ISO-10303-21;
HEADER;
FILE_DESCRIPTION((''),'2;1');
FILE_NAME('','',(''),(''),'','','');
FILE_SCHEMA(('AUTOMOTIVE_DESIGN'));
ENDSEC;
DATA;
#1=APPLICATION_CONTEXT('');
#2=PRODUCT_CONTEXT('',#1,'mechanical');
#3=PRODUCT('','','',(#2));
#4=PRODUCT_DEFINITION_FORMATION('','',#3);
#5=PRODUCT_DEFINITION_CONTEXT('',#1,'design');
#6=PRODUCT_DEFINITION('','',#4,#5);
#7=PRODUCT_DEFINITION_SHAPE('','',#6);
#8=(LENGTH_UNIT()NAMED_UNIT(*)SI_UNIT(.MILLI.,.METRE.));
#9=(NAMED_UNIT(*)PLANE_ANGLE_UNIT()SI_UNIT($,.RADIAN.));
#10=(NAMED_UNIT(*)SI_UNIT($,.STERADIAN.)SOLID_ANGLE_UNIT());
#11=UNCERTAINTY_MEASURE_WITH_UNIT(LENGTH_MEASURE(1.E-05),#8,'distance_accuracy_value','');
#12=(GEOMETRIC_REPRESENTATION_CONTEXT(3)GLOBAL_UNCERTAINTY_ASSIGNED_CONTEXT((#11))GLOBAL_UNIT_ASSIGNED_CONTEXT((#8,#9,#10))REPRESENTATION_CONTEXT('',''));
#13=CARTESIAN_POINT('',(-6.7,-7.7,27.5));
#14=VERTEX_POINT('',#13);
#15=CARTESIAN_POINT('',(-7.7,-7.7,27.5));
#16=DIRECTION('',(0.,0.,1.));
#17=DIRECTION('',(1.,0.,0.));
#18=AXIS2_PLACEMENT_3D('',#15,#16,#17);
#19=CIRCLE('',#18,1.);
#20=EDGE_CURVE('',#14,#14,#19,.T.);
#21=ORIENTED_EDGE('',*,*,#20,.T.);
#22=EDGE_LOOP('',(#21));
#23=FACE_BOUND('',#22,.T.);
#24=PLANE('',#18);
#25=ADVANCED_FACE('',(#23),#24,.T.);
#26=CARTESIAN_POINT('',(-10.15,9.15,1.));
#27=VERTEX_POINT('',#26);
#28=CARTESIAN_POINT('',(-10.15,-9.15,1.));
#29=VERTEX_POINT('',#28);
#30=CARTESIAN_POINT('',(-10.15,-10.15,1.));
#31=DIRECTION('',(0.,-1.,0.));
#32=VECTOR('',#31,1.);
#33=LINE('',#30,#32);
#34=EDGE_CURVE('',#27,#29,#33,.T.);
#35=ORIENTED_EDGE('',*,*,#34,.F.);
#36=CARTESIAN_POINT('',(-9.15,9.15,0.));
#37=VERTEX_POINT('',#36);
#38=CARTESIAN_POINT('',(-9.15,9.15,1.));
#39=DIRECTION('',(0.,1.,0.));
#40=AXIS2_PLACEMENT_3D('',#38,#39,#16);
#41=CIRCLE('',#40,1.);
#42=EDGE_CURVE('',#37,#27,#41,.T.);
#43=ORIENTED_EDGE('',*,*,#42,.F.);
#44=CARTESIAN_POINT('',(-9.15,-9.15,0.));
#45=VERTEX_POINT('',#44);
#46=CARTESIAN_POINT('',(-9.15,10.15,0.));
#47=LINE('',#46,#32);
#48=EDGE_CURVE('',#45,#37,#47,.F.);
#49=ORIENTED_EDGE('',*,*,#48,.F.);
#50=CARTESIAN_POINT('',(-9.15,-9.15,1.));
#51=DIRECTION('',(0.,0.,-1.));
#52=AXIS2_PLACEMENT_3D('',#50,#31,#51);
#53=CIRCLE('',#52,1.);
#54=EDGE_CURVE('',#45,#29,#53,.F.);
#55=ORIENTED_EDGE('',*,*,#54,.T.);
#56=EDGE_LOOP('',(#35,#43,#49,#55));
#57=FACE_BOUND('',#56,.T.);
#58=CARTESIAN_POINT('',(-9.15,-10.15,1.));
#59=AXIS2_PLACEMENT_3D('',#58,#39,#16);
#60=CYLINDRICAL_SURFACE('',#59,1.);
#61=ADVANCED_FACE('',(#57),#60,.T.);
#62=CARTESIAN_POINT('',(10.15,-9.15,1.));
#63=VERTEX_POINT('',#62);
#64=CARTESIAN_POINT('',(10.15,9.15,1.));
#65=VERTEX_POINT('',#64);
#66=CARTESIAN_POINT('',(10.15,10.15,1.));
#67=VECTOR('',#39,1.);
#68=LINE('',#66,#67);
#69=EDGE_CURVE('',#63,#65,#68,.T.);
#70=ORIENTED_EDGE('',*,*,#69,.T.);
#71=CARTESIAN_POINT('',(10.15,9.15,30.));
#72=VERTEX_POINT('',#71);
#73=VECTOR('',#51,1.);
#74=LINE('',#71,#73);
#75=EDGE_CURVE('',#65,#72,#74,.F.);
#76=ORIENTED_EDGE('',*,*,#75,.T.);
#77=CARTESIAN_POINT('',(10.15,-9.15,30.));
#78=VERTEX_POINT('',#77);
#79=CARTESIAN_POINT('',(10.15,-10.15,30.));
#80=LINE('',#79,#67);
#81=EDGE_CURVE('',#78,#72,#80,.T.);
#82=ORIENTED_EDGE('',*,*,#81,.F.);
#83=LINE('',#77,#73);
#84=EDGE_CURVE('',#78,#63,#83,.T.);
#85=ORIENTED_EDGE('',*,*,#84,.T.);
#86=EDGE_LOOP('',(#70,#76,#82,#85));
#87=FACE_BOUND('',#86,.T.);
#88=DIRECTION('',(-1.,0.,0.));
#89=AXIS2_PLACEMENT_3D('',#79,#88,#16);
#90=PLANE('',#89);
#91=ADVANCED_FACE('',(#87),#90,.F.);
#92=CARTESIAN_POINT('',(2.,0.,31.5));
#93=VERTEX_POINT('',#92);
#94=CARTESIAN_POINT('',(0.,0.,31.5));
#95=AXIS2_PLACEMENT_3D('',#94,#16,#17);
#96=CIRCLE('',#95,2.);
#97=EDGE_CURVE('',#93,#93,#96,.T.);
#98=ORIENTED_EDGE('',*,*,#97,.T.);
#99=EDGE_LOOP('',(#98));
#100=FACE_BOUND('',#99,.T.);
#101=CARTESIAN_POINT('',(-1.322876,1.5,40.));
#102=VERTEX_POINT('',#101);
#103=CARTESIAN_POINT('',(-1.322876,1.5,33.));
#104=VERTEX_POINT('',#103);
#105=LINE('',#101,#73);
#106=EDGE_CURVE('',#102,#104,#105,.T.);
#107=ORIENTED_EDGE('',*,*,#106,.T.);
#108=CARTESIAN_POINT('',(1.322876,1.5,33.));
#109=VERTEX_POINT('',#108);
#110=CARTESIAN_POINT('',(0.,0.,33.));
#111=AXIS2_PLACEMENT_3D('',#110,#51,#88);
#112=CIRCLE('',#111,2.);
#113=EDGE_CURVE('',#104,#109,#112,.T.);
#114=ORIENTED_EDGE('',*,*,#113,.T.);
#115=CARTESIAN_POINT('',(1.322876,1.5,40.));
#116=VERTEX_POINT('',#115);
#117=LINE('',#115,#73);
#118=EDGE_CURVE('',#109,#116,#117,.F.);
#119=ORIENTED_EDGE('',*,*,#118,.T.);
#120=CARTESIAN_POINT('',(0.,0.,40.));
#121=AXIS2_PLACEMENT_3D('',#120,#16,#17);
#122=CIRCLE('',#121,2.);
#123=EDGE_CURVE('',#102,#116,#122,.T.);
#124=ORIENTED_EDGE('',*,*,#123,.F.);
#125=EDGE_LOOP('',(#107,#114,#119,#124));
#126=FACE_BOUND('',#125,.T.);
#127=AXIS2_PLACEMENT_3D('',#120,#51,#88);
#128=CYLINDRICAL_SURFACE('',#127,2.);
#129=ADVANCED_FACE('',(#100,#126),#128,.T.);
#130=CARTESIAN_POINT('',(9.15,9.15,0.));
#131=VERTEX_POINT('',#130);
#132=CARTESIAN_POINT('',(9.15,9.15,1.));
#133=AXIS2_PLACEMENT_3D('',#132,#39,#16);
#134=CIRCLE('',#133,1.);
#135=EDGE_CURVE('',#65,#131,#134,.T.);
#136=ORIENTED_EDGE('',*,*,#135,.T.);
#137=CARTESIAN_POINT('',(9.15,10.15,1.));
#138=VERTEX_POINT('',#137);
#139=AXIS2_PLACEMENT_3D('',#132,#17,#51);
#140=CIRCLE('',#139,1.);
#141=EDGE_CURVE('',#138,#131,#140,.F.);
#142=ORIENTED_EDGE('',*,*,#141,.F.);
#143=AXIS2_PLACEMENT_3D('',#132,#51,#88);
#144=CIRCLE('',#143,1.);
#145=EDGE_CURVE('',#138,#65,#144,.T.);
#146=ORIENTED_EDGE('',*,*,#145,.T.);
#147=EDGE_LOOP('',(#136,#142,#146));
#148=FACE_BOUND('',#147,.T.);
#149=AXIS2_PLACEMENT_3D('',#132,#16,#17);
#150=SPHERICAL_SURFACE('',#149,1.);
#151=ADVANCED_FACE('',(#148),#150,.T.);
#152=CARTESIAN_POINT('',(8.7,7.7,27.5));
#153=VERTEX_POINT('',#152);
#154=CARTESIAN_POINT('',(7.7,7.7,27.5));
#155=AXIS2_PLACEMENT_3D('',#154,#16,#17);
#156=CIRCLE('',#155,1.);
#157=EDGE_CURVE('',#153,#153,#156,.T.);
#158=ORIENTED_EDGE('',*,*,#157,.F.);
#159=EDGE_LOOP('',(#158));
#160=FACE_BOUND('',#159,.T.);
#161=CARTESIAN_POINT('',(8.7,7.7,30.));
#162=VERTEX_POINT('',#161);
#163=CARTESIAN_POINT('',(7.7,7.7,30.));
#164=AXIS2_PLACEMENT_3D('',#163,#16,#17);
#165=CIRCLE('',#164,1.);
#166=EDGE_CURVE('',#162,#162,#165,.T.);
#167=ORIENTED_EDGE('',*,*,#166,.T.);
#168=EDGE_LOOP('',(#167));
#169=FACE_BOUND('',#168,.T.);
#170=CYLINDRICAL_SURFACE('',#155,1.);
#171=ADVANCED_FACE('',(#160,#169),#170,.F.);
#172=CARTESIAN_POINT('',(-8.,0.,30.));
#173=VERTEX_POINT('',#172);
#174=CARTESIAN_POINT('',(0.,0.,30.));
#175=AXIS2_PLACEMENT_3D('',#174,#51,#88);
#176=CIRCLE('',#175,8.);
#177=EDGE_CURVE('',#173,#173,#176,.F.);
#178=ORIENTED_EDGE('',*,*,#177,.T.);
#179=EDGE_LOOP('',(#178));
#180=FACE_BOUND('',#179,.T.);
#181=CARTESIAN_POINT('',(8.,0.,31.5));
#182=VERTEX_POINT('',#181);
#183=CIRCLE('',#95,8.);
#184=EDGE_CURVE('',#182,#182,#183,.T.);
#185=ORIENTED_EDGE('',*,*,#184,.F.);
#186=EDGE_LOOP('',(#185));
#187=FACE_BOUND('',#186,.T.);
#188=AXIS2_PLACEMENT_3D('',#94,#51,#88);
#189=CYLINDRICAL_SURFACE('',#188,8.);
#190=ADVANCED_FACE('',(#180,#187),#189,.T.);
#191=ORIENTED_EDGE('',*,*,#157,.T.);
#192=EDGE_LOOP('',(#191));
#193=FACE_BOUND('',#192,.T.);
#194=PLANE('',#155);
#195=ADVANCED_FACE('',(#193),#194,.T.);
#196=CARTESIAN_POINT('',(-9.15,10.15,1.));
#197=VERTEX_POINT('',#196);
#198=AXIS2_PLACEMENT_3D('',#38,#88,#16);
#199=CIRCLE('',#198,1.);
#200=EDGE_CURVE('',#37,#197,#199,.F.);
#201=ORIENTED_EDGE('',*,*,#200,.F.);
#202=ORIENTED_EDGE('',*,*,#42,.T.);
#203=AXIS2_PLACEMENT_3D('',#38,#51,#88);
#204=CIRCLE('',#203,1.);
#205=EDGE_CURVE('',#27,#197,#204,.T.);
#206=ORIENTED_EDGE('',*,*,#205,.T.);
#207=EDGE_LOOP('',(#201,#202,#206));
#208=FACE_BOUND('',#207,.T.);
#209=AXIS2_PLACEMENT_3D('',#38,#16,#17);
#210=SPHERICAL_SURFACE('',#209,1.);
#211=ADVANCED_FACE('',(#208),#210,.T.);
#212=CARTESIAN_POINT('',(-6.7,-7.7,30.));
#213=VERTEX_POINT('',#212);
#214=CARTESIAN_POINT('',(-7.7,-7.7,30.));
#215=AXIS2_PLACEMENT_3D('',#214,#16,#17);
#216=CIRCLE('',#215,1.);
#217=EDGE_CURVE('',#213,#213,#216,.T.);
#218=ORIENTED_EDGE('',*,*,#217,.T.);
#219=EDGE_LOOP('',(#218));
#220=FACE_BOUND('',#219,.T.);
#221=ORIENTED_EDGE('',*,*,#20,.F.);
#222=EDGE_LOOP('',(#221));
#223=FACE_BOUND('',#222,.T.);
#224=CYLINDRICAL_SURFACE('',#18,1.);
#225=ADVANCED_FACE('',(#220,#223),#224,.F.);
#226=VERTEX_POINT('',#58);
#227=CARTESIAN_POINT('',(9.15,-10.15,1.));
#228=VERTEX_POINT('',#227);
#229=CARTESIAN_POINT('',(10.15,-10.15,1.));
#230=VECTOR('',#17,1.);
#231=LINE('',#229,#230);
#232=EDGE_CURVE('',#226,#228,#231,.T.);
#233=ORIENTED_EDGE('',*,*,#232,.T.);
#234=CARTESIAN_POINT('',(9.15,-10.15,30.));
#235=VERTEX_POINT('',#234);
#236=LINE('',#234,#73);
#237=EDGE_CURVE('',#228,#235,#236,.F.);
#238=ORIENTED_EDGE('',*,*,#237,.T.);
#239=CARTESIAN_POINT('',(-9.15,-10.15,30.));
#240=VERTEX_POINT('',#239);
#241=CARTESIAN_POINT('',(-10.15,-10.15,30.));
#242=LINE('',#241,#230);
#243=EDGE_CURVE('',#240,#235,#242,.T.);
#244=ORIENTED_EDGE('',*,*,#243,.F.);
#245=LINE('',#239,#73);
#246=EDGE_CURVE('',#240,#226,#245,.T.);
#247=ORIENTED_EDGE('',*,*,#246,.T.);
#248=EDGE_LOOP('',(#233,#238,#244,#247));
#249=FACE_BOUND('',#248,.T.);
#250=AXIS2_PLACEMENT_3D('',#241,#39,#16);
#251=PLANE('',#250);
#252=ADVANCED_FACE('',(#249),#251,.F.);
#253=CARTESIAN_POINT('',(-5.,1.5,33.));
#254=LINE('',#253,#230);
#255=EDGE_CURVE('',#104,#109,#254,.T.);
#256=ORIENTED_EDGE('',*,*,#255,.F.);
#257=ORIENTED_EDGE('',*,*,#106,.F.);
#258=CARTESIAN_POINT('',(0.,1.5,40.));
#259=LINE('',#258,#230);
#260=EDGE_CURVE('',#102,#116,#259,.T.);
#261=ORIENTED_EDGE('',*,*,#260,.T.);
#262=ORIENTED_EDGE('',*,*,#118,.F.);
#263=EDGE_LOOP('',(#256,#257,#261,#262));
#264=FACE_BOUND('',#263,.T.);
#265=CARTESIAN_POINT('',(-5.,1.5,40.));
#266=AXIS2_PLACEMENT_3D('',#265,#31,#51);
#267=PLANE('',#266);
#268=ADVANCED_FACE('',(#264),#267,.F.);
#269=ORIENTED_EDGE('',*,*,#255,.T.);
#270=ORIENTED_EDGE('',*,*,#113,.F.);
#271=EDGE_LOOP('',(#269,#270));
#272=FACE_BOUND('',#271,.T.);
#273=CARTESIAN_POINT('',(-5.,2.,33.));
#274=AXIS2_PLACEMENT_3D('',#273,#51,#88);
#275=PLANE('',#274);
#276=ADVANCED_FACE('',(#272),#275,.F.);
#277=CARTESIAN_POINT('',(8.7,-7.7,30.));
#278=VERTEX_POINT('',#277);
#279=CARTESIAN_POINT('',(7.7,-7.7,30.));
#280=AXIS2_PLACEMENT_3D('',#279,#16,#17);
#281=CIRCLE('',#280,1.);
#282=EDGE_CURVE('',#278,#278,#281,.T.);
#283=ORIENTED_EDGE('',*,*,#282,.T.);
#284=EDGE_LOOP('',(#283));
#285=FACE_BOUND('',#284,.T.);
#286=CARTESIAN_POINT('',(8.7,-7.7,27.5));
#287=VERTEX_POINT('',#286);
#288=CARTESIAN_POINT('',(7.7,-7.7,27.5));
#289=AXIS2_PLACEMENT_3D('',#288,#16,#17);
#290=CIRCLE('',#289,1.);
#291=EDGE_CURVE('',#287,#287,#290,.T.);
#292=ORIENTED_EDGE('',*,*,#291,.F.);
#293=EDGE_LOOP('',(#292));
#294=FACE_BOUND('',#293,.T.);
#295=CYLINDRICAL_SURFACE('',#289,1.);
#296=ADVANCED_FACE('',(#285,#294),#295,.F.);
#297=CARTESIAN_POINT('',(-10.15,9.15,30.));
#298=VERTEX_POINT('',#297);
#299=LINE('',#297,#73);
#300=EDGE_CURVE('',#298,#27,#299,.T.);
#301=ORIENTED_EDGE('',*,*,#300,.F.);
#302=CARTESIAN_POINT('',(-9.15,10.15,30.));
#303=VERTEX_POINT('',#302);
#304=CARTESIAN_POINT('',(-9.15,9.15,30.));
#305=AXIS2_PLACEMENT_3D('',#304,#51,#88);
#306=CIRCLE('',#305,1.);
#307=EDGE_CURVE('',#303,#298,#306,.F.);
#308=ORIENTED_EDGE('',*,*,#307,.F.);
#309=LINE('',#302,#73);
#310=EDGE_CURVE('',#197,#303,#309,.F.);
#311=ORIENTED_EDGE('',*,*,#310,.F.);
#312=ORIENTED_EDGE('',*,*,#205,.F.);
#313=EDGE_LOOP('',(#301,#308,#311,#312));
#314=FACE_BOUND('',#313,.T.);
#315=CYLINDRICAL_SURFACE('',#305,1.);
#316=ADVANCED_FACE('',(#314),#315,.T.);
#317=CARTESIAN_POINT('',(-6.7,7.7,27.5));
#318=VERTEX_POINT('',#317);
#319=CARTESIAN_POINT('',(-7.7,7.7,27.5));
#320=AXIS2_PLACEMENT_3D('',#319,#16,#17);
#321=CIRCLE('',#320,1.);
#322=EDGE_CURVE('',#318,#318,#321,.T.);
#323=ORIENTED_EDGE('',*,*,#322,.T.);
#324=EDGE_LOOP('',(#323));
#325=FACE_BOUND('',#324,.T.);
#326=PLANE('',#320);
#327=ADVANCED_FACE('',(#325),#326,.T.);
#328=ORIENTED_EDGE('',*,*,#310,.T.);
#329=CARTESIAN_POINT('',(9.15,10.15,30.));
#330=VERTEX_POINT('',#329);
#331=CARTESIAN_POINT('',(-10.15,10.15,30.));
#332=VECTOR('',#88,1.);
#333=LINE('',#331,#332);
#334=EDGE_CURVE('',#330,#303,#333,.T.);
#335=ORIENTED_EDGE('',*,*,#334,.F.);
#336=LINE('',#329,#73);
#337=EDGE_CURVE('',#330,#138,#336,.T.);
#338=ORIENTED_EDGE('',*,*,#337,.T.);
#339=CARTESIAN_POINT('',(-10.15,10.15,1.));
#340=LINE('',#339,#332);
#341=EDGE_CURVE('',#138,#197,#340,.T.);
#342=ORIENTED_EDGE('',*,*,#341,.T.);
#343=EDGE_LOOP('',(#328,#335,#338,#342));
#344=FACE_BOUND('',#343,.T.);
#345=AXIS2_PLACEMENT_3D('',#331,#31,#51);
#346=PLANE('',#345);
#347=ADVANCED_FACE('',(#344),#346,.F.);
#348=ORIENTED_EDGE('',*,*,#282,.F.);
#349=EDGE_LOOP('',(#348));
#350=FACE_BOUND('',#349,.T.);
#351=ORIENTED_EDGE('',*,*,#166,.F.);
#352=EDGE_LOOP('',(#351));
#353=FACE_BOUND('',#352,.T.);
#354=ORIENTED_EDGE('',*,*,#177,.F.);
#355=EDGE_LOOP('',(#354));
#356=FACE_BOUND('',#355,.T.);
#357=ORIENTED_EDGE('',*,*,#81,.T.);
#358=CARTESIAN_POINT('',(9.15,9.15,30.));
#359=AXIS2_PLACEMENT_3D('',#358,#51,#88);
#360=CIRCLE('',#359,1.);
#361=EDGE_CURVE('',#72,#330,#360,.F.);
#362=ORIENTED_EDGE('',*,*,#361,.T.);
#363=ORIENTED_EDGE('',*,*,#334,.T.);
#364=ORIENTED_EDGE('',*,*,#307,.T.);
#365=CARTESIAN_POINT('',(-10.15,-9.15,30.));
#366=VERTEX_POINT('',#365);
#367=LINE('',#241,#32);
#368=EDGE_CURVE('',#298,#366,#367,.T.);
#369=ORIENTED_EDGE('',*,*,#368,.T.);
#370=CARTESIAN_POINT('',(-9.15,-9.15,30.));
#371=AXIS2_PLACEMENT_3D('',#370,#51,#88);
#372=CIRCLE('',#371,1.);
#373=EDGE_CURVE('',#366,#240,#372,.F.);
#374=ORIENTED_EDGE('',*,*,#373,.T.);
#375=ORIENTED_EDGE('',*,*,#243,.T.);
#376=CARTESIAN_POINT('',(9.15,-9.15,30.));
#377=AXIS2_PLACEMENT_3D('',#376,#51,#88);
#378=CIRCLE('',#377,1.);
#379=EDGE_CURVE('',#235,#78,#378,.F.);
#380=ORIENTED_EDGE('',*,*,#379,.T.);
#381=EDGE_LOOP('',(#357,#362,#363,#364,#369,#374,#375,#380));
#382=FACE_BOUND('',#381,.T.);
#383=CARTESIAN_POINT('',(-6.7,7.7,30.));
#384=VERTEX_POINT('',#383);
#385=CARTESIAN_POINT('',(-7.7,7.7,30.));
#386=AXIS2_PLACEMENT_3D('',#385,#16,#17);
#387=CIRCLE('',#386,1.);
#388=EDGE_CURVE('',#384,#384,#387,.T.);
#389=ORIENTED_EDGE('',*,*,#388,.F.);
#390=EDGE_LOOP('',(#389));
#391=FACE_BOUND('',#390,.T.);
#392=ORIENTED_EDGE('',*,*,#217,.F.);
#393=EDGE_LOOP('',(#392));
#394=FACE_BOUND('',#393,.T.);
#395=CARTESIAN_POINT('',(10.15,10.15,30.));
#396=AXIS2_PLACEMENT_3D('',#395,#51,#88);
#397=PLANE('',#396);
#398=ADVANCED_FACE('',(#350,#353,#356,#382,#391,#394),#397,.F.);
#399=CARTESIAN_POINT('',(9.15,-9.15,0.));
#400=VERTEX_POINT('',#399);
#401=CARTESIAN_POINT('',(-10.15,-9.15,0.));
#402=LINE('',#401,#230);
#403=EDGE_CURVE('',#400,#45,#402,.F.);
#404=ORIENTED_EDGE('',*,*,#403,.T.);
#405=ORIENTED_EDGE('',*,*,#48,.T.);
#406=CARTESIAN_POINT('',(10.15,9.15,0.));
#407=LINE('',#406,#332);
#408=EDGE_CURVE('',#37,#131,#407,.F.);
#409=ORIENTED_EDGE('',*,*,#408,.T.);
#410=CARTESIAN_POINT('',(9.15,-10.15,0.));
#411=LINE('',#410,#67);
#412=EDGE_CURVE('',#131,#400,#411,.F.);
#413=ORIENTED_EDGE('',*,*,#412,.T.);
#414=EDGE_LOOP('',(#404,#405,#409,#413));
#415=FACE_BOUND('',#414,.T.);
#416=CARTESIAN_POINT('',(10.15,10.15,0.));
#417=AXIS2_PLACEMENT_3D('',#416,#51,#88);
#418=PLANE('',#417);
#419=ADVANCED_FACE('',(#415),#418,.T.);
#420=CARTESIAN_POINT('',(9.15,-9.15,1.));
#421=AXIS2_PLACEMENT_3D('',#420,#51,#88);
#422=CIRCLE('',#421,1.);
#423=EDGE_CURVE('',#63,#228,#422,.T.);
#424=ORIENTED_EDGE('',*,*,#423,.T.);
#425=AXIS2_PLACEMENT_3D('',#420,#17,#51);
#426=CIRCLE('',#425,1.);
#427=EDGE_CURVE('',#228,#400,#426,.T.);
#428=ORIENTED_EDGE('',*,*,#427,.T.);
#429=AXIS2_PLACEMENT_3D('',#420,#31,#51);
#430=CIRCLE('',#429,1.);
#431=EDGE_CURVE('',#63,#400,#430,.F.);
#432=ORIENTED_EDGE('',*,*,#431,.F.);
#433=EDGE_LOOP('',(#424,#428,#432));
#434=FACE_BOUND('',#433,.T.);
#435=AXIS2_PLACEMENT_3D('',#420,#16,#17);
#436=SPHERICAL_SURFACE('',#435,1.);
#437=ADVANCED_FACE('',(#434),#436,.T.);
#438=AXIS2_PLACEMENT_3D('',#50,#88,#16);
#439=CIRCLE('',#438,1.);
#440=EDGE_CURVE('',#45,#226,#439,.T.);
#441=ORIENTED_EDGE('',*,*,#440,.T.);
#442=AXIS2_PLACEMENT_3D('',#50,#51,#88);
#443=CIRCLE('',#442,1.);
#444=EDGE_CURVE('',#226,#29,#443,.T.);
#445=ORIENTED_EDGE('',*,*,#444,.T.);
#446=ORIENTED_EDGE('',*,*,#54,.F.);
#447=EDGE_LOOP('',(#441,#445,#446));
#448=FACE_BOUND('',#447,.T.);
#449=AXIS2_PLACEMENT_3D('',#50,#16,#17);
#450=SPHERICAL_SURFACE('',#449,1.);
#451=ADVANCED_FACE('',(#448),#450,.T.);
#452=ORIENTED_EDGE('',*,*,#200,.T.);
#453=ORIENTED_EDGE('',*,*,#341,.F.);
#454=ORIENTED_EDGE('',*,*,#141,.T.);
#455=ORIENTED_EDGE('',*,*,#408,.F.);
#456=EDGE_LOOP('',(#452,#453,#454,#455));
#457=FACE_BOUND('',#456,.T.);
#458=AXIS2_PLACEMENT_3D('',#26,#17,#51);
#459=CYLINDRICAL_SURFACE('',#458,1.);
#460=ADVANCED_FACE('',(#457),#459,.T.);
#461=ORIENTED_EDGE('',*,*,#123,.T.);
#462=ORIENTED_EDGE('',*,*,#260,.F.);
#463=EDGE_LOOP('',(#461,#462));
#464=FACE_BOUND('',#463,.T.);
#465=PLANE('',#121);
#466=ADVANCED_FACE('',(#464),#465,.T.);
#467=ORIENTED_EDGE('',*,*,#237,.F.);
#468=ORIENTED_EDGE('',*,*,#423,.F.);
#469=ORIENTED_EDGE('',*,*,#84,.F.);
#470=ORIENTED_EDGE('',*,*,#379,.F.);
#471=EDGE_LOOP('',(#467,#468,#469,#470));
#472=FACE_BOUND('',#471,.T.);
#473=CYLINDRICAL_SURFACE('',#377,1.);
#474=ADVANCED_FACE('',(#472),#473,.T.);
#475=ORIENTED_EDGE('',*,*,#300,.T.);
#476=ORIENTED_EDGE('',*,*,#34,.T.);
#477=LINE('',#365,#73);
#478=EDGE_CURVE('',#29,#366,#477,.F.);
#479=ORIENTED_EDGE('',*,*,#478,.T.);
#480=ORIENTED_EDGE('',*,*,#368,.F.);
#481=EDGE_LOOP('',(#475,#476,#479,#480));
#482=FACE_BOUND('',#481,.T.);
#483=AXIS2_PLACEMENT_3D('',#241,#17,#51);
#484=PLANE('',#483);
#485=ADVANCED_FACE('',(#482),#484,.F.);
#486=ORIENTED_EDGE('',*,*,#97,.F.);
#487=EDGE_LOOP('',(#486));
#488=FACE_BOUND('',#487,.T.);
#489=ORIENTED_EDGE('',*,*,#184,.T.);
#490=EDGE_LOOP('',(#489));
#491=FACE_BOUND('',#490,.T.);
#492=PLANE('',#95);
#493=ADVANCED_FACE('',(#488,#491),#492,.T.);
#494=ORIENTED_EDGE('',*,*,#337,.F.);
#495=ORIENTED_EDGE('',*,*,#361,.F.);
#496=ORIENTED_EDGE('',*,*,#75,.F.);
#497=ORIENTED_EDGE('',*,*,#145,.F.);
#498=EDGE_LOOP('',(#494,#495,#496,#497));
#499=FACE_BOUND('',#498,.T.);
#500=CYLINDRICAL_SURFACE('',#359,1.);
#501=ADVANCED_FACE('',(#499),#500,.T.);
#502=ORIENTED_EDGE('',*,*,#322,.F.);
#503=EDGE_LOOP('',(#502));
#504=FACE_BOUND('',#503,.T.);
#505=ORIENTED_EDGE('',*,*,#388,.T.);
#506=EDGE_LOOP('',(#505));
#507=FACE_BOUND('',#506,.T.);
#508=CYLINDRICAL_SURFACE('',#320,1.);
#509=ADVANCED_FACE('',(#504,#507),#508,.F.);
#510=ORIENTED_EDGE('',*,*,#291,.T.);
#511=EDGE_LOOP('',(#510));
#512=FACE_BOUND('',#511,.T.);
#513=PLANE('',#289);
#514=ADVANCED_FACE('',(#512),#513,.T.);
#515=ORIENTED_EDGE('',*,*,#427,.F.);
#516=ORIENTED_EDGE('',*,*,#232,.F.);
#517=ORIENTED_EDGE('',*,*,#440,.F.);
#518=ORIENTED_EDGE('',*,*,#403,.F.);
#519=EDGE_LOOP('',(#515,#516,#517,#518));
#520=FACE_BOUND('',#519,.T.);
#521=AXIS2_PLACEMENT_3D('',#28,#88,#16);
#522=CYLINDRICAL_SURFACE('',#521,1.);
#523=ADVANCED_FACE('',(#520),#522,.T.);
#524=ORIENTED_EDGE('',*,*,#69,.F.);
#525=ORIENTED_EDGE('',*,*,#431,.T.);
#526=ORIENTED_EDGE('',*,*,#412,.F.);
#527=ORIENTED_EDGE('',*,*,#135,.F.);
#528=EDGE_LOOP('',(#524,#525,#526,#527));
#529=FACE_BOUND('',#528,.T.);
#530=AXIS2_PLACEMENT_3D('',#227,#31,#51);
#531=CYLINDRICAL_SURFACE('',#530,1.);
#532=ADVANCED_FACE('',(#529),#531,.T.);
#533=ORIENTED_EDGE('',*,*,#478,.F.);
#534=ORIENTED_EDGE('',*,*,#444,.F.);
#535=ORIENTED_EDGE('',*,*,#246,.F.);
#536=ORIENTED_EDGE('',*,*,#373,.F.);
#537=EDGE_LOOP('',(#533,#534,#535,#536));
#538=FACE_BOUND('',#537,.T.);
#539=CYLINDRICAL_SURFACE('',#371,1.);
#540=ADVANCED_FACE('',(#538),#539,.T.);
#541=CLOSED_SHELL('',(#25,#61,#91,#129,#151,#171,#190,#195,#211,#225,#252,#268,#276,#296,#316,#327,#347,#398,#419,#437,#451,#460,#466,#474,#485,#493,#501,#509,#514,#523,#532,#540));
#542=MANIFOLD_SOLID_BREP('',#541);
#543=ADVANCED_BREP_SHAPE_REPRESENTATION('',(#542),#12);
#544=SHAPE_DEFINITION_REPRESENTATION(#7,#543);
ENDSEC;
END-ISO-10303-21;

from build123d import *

# Parameters (mm, degrees)
SKETCH1_W           = 20.3
SKETCH1_H           = 20.3
BOSS_EXTRUDE1_DEPTH = 30
SKETCH2_R           = 8
BOSS_EXTRUDE2_DEPTH = 1.5
SKETCH3_R           = 2
BOSS_EXTRUDE3_DEPTH = 8.5
SKETCH4_W           = 7
SKETCH4_H           = 0.5
CUT_EXTRUDE1_DEPTH  = 5
SKETCH5_R           = 1
CUT_EXTRUDE2_DEPTH  = 2.5
FILLET1_R           = 1


with BuildPart() as part:
    # Sketch1 → Boss-Extrude1 (new body)
    with BuildSketch(Plane.XY):
        Rectangle(SKETCH1_W, SKETCH1_H)
    extrude(amount=BOSS_EXTRUDE1_DEPTH)

    # Sketch2 → Boss-Extrude2 (add)
    with BuildSketch(Plane.XY.offset(30)):
        with Locations(Location((0, 0, 0), (0, 0, 180))):
            Circle(SKETCH2_R)
    extrude(amount=BOSS_EXTRUDE2_DEPTH)

    # Sketch3 → Boss-Extrude3 (add)
    with BuildSketch(Plane.XY.offset(31.5)):
        Circle(SKETCH3_R)
    extrude(amount=BOSS_EXTRUDE3_DEPTH)

    # Sketch4 → Cut-Extrude1 (cut, symmetric)
    with BuildSketch(Plane(origin=(0, 0, 0), x_dir=(0, 0, -1), z_dir=(1, 0, 0))):
        with Locations((-36.5, 1.75)):
            Rectangle(SKETCH4_W, SKETCH4_H)
    extrude(amount=CUT_EXTRUDE1_DEPTH, both=True, mode=Mode.SUBTRACT)

    # Sketch5 → Cut-Extrude2 (cut)
    with BuildSketch(Plane.XY.offset(30)):
        with Locations((-7.7, 7.7)):
            Circle(SKETCH5_R)
        with Locations((7.7, 7.7)):
            Circle(SKETCH5_R)
        with Locations((7.7, -7.7)):
            Circle(SKETCH5_R)
        with Locations((-7.7, -7.7)):
            Circle(SKETCH5_R)
    extrude(amount=-CUT_EXTRUDE2_DEPTH, mode=Mode.SUBTRACT)

    # Fillet1
    fillet1_edges = [part.edges().sort_by_distance(p)[0] for p in [
        (0, -10.15, 0),
        (-10.15, 0, 0),
        (0, 10.15, 0),
        (10.15, 0, 0),
        (10.15, -10.15, 15),
        (-10.15, -10.15, 15),
        (-10.15, 10.15, 15),
        (10.15, 10.15, 15),
    ]]
    fillet(fillet1_edges, radius=FILLET1_R)


solid = part.part
